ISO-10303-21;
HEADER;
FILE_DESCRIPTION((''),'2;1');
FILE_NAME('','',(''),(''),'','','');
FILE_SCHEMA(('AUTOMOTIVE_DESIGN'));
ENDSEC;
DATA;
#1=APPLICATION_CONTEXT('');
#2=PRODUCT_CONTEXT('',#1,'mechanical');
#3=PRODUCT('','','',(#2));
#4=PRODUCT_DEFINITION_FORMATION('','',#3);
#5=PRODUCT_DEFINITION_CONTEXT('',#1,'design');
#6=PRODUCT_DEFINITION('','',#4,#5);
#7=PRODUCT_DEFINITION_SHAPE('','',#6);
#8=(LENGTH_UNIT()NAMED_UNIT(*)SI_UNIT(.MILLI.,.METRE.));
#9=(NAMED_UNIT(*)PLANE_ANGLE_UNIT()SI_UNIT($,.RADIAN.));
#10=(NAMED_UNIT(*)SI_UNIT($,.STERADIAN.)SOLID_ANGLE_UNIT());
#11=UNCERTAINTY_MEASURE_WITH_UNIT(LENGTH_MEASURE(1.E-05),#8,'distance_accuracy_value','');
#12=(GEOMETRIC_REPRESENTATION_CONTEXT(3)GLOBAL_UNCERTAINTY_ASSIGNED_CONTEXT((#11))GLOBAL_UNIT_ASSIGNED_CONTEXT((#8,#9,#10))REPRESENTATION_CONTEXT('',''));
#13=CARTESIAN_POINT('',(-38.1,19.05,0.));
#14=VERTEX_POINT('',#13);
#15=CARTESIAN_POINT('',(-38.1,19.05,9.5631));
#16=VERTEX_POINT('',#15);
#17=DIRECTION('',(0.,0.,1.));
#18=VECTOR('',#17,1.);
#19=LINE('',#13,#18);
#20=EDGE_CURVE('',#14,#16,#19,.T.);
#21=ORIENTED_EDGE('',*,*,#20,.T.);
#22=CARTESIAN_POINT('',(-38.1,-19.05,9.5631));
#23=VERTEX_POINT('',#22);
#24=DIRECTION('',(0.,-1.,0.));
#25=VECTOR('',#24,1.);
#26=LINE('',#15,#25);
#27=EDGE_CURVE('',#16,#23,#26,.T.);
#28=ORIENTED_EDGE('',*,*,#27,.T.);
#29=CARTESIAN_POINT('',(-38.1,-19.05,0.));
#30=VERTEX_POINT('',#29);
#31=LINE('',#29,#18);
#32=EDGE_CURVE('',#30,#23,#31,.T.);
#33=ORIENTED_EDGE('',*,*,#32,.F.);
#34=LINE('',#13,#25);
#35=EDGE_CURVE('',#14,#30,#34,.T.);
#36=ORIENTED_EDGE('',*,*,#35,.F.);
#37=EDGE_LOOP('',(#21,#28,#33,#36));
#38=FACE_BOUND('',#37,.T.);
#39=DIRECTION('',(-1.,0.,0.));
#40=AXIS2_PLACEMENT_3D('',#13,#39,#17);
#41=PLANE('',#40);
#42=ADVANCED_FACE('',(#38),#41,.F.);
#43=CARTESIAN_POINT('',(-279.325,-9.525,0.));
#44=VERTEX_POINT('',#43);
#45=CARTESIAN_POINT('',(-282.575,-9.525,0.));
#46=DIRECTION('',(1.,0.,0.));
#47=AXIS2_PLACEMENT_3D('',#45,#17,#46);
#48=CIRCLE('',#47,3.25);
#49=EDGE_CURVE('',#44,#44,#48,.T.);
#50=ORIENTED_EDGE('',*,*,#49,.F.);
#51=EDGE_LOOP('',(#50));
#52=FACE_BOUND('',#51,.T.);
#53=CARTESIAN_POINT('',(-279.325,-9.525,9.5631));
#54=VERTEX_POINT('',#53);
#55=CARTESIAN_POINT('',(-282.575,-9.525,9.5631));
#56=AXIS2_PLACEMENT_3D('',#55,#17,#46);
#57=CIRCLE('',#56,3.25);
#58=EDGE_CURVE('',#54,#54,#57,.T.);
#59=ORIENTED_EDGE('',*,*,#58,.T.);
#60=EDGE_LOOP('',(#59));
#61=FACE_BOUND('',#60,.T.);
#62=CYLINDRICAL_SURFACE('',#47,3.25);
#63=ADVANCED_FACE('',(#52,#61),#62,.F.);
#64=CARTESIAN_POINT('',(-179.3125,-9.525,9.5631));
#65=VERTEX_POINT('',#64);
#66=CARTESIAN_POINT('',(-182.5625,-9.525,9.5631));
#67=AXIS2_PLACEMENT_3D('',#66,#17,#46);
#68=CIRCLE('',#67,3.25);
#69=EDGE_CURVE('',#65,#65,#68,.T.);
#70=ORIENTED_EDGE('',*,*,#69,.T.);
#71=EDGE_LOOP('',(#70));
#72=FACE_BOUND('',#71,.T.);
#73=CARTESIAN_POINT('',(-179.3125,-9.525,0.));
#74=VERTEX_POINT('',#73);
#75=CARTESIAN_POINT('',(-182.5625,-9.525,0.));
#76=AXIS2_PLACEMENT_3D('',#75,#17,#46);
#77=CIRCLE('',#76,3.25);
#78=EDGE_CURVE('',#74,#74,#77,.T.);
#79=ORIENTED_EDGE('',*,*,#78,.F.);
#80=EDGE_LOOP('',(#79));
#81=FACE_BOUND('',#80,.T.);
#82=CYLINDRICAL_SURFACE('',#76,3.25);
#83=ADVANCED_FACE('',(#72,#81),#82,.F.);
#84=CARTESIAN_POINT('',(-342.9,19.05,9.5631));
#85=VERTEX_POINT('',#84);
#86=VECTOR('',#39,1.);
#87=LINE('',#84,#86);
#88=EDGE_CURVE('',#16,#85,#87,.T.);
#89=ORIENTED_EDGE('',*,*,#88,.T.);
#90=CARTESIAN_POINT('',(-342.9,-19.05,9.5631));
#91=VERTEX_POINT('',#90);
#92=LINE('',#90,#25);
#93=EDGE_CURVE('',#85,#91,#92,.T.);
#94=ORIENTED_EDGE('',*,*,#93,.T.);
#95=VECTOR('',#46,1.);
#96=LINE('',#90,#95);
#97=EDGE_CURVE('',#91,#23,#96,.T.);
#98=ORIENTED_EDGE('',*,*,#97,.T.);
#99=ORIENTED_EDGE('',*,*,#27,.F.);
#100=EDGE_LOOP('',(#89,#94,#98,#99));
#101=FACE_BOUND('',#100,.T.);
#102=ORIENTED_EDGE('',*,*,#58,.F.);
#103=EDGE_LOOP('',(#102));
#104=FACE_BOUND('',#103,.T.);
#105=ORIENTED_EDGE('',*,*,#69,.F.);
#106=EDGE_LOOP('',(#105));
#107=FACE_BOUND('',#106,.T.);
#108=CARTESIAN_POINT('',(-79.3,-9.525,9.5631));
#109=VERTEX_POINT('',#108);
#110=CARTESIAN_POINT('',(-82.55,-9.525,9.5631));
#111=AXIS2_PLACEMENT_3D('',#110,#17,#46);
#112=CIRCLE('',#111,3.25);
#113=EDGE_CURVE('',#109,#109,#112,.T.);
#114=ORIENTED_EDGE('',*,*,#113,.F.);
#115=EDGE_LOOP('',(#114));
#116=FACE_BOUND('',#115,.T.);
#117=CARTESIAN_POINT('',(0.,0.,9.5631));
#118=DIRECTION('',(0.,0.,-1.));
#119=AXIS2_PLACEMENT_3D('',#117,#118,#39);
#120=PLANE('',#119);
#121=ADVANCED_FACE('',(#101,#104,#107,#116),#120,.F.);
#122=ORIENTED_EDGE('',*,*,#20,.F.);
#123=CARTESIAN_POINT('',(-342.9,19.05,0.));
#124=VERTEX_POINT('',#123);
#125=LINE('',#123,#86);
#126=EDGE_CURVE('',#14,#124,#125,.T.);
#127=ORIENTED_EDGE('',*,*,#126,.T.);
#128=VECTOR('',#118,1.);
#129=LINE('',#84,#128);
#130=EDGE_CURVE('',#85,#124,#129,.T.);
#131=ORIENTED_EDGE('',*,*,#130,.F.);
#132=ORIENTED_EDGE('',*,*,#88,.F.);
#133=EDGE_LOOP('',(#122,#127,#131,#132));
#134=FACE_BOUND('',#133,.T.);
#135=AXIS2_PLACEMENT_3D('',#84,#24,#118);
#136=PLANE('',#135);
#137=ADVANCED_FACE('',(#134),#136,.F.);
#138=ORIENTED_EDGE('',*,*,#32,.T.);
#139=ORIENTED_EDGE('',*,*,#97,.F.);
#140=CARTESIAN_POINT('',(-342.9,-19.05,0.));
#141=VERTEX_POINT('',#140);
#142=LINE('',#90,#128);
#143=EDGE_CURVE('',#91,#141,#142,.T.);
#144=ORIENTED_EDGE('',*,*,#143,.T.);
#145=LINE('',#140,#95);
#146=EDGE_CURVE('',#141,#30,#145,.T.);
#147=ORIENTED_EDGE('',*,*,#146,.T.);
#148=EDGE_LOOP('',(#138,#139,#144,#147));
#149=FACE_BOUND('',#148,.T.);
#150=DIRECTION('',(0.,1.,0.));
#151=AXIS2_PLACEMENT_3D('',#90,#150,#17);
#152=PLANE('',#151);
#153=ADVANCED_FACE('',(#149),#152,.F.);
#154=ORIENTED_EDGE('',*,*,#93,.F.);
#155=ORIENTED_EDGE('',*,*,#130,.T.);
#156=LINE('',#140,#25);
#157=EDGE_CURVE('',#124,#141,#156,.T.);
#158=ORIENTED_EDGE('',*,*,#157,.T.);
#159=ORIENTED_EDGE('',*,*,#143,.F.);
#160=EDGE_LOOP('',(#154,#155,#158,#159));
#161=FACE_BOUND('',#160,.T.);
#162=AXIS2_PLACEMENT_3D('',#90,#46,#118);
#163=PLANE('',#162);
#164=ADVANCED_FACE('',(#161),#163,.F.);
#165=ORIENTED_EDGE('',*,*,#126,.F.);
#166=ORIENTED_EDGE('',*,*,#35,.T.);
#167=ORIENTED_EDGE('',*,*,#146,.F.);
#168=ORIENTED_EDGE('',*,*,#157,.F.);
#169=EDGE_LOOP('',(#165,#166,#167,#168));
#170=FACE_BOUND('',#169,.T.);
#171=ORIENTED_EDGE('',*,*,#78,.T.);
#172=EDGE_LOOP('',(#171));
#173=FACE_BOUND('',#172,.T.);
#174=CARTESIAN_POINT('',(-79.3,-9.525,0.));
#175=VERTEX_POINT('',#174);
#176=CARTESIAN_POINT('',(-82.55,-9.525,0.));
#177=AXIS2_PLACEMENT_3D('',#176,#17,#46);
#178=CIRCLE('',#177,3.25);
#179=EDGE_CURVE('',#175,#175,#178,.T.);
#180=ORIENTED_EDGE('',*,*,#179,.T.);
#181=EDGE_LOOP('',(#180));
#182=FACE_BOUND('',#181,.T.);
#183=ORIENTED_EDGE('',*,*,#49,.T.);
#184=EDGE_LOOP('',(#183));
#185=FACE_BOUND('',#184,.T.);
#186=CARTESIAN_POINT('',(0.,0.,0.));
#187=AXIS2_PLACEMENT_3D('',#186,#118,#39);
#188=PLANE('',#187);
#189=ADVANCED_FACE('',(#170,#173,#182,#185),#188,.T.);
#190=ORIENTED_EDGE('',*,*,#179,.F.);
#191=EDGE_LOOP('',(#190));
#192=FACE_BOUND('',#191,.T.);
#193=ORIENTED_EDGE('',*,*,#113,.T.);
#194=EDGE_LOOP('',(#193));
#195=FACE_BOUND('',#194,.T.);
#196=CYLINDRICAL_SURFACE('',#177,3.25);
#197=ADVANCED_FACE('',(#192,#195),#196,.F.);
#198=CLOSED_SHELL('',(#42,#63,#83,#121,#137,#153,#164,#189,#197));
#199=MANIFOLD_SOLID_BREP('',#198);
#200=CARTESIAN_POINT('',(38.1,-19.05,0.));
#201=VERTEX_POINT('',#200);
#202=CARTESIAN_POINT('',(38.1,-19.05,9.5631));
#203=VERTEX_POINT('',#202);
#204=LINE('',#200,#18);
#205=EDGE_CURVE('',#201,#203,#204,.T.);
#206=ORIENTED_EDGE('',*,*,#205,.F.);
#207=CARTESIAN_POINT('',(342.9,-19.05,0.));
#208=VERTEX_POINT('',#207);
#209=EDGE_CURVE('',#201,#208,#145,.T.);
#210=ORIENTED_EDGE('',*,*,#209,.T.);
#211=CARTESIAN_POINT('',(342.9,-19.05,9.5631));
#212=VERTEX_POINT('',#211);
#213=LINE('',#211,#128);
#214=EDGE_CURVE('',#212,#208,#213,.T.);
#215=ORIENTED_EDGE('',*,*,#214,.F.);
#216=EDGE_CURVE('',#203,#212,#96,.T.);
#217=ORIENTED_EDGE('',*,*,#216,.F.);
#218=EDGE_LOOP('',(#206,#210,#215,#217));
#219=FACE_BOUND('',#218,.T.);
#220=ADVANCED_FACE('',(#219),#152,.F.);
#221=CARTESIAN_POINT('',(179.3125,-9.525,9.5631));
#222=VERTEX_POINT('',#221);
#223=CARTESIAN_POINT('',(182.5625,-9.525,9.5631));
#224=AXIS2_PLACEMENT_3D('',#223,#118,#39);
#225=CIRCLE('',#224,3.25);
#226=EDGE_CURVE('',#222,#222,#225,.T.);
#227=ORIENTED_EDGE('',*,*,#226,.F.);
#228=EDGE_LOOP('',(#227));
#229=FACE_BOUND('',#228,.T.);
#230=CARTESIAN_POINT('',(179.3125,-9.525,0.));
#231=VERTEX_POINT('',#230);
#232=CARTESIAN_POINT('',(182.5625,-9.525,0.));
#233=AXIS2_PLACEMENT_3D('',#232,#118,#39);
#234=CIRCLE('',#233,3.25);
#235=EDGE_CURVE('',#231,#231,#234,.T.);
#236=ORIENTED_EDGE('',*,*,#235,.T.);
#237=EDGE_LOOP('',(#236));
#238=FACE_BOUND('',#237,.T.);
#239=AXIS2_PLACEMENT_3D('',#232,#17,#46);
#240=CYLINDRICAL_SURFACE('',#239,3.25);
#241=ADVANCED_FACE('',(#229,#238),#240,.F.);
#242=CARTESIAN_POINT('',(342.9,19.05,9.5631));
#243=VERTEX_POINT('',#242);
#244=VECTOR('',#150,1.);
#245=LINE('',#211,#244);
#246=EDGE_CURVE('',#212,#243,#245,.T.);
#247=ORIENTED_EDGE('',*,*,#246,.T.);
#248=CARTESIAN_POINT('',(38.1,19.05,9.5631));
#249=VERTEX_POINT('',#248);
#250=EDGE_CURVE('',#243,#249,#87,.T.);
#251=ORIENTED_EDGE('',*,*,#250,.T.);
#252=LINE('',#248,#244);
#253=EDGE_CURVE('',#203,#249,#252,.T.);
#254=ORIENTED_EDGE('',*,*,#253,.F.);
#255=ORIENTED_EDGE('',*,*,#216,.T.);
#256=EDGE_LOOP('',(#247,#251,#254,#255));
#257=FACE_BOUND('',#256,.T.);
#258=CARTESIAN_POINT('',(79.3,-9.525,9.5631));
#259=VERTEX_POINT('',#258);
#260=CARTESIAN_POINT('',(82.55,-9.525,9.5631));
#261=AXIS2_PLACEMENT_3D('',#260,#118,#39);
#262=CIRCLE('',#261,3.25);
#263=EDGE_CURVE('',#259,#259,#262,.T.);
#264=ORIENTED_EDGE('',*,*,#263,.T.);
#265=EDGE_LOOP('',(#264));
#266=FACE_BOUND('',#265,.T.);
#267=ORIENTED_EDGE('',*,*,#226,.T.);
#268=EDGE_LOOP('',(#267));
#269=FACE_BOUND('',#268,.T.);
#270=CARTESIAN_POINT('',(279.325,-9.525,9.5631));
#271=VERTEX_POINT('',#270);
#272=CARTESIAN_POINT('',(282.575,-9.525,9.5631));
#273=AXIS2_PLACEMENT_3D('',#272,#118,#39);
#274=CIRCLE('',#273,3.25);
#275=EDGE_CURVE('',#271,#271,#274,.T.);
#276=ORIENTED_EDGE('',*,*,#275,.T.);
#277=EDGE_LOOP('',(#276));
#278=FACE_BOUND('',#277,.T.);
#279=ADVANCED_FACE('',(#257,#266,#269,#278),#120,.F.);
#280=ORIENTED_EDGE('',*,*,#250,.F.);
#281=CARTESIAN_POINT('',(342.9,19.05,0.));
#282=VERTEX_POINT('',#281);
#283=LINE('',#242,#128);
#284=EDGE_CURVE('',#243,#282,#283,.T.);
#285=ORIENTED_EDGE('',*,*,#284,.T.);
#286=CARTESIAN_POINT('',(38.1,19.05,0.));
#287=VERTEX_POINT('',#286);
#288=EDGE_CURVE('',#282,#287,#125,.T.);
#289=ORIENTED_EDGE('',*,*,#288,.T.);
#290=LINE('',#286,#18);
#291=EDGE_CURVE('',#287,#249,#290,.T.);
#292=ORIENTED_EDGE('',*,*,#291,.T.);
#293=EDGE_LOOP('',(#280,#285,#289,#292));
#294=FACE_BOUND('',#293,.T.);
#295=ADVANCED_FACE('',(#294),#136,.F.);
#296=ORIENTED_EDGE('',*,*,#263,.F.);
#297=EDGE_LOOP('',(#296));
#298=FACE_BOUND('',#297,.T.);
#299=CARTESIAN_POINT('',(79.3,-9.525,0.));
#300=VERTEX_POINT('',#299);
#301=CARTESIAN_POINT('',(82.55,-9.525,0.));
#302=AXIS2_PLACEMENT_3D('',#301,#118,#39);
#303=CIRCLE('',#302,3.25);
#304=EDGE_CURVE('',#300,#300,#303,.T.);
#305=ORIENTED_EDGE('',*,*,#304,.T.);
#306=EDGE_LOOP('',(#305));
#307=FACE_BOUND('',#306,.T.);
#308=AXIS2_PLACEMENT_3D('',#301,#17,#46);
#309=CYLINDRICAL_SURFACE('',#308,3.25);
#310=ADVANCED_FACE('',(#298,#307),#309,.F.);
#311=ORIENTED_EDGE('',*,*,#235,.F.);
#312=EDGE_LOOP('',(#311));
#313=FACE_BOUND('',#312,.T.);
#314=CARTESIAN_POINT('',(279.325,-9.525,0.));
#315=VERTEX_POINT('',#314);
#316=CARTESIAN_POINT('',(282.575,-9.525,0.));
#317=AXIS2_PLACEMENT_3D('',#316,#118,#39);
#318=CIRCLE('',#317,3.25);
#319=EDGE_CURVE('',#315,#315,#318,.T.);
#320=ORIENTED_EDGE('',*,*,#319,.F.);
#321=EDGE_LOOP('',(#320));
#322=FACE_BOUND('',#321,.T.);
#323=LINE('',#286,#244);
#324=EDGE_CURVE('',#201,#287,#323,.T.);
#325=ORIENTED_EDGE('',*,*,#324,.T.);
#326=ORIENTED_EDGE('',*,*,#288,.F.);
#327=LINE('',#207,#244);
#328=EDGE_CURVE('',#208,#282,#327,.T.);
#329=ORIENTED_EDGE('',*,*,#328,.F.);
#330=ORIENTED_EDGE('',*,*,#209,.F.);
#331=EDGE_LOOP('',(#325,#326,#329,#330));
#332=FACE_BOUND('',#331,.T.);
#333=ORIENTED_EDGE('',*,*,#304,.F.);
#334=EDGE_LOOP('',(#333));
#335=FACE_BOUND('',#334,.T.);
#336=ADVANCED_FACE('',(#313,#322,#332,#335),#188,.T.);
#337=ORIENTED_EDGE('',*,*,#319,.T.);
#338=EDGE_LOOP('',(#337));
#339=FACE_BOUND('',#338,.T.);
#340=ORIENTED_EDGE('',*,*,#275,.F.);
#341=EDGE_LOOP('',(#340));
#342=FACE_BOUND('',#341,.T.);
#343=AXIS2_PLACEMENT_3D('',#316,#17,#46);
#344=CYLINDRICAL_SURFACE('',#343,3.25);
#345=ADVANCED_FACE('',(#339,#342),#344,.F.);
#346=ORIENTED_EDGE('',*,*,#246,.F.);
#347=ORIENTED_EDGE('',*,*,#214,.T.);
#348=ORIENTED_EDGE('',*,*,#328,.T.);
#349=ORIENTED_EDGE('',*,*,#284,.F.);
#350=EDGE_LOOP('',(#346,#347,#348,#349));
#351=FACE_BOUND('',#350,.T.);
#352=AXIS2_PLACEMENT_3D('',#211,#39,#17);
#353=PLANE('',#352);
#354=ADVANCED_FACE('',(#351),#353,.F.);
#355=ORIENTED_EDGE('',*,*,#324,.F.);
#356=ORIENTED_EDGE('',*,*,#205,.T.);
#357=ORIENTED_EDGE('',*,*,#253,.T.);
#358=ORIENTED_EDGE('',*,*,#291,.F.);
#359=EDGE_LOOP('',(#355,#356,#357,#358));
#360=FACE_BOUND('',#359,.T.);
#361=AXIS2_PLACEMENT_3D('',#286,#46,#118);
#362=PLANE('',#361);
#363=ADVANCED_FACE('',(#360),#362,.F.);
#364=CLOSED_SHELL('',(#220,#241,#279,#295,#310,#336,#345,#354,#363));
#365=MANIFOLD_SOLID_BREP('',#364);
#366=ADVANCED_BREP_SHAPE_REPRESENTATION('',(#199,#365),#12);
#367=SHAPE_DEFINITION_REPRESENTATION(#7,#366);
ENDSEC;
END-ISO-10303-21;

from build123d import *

# Parameters (mm, degrees)
SKETCH1_W           = 685.8
SKETCH1_H           = 38.1
BOSS_EXTRUDE1_DEPTH = 9.5631
SKETCH2_R           = 3.25
CUT_EXTRUDE1_DEPTH  = 9.5631
SKETCH4_W           = 76.2
SKETCH4_H           = 38.1
CUT_EXTRUDE2_DEPTH  = 9.5631


with BuildPart() as part:
    # Sketch1 → Boss-Extrude1 (new body)
    with BuildSketch(Plane.XY):
        Rectangle(SKETCH1_W, SKETCH1_H)
    extrude(amount=BOSS_EXTRUDE1_DEPTH)

    # Sketch2 → Cut-Extrude1 (cut)
    with BuildSketch(Plane.XY.offset(9.5631)):
        with Locations((-282.575, -9.525)):
            Circle(SKETCH2_R)
        with Locations((-182.5625, -9.525)):
            Circle(SKETCH2_R)
        with Locations((-82.55, -9.525)):
            Circle(SKETCH2_R)
    cut_extrude1 = extrude(amount=-CUT_EXTRUDE1_DEPTH, mode=Mode.SUBTRACT)

    # Mirror1: Cut-Extrude1 across plane
    add(cut_extrude1.mirror(Plane.ZY), mode=Mode.SUBTRACT)

    # Sketch4 → Cut-Extrude2 (cut)
    with BuildSketch(Plane.XY.offset(9.5631)):
        Rectangle(SKETCH4_W, SKETCH4_H)
    extrude(amount=-CUT_EXTRUDE2_DEPTH, mode=Mode.SUBTRACT)


with BuildPart() as cut_extrude2_piece_1:
    # of the separate pieces the step leaves, piece 1, a body of its own (cut_extrude2_pieces)
    add(part.part.solids().sort_by_distance((-342.9, -19.05, 0))[0])


with BuildPart() as cut_extrude2_piece_2:
    # of the separate pieces the step leaves, piece 2, a body of its own (cut_extrude2_pieces)
    add(part.part.solids().sort_by_distance((38.1, -19.05, 0))[0])


solid = Compound([cut_extrude2_piece_1.part, cut_extrude2_piece_2.part])
